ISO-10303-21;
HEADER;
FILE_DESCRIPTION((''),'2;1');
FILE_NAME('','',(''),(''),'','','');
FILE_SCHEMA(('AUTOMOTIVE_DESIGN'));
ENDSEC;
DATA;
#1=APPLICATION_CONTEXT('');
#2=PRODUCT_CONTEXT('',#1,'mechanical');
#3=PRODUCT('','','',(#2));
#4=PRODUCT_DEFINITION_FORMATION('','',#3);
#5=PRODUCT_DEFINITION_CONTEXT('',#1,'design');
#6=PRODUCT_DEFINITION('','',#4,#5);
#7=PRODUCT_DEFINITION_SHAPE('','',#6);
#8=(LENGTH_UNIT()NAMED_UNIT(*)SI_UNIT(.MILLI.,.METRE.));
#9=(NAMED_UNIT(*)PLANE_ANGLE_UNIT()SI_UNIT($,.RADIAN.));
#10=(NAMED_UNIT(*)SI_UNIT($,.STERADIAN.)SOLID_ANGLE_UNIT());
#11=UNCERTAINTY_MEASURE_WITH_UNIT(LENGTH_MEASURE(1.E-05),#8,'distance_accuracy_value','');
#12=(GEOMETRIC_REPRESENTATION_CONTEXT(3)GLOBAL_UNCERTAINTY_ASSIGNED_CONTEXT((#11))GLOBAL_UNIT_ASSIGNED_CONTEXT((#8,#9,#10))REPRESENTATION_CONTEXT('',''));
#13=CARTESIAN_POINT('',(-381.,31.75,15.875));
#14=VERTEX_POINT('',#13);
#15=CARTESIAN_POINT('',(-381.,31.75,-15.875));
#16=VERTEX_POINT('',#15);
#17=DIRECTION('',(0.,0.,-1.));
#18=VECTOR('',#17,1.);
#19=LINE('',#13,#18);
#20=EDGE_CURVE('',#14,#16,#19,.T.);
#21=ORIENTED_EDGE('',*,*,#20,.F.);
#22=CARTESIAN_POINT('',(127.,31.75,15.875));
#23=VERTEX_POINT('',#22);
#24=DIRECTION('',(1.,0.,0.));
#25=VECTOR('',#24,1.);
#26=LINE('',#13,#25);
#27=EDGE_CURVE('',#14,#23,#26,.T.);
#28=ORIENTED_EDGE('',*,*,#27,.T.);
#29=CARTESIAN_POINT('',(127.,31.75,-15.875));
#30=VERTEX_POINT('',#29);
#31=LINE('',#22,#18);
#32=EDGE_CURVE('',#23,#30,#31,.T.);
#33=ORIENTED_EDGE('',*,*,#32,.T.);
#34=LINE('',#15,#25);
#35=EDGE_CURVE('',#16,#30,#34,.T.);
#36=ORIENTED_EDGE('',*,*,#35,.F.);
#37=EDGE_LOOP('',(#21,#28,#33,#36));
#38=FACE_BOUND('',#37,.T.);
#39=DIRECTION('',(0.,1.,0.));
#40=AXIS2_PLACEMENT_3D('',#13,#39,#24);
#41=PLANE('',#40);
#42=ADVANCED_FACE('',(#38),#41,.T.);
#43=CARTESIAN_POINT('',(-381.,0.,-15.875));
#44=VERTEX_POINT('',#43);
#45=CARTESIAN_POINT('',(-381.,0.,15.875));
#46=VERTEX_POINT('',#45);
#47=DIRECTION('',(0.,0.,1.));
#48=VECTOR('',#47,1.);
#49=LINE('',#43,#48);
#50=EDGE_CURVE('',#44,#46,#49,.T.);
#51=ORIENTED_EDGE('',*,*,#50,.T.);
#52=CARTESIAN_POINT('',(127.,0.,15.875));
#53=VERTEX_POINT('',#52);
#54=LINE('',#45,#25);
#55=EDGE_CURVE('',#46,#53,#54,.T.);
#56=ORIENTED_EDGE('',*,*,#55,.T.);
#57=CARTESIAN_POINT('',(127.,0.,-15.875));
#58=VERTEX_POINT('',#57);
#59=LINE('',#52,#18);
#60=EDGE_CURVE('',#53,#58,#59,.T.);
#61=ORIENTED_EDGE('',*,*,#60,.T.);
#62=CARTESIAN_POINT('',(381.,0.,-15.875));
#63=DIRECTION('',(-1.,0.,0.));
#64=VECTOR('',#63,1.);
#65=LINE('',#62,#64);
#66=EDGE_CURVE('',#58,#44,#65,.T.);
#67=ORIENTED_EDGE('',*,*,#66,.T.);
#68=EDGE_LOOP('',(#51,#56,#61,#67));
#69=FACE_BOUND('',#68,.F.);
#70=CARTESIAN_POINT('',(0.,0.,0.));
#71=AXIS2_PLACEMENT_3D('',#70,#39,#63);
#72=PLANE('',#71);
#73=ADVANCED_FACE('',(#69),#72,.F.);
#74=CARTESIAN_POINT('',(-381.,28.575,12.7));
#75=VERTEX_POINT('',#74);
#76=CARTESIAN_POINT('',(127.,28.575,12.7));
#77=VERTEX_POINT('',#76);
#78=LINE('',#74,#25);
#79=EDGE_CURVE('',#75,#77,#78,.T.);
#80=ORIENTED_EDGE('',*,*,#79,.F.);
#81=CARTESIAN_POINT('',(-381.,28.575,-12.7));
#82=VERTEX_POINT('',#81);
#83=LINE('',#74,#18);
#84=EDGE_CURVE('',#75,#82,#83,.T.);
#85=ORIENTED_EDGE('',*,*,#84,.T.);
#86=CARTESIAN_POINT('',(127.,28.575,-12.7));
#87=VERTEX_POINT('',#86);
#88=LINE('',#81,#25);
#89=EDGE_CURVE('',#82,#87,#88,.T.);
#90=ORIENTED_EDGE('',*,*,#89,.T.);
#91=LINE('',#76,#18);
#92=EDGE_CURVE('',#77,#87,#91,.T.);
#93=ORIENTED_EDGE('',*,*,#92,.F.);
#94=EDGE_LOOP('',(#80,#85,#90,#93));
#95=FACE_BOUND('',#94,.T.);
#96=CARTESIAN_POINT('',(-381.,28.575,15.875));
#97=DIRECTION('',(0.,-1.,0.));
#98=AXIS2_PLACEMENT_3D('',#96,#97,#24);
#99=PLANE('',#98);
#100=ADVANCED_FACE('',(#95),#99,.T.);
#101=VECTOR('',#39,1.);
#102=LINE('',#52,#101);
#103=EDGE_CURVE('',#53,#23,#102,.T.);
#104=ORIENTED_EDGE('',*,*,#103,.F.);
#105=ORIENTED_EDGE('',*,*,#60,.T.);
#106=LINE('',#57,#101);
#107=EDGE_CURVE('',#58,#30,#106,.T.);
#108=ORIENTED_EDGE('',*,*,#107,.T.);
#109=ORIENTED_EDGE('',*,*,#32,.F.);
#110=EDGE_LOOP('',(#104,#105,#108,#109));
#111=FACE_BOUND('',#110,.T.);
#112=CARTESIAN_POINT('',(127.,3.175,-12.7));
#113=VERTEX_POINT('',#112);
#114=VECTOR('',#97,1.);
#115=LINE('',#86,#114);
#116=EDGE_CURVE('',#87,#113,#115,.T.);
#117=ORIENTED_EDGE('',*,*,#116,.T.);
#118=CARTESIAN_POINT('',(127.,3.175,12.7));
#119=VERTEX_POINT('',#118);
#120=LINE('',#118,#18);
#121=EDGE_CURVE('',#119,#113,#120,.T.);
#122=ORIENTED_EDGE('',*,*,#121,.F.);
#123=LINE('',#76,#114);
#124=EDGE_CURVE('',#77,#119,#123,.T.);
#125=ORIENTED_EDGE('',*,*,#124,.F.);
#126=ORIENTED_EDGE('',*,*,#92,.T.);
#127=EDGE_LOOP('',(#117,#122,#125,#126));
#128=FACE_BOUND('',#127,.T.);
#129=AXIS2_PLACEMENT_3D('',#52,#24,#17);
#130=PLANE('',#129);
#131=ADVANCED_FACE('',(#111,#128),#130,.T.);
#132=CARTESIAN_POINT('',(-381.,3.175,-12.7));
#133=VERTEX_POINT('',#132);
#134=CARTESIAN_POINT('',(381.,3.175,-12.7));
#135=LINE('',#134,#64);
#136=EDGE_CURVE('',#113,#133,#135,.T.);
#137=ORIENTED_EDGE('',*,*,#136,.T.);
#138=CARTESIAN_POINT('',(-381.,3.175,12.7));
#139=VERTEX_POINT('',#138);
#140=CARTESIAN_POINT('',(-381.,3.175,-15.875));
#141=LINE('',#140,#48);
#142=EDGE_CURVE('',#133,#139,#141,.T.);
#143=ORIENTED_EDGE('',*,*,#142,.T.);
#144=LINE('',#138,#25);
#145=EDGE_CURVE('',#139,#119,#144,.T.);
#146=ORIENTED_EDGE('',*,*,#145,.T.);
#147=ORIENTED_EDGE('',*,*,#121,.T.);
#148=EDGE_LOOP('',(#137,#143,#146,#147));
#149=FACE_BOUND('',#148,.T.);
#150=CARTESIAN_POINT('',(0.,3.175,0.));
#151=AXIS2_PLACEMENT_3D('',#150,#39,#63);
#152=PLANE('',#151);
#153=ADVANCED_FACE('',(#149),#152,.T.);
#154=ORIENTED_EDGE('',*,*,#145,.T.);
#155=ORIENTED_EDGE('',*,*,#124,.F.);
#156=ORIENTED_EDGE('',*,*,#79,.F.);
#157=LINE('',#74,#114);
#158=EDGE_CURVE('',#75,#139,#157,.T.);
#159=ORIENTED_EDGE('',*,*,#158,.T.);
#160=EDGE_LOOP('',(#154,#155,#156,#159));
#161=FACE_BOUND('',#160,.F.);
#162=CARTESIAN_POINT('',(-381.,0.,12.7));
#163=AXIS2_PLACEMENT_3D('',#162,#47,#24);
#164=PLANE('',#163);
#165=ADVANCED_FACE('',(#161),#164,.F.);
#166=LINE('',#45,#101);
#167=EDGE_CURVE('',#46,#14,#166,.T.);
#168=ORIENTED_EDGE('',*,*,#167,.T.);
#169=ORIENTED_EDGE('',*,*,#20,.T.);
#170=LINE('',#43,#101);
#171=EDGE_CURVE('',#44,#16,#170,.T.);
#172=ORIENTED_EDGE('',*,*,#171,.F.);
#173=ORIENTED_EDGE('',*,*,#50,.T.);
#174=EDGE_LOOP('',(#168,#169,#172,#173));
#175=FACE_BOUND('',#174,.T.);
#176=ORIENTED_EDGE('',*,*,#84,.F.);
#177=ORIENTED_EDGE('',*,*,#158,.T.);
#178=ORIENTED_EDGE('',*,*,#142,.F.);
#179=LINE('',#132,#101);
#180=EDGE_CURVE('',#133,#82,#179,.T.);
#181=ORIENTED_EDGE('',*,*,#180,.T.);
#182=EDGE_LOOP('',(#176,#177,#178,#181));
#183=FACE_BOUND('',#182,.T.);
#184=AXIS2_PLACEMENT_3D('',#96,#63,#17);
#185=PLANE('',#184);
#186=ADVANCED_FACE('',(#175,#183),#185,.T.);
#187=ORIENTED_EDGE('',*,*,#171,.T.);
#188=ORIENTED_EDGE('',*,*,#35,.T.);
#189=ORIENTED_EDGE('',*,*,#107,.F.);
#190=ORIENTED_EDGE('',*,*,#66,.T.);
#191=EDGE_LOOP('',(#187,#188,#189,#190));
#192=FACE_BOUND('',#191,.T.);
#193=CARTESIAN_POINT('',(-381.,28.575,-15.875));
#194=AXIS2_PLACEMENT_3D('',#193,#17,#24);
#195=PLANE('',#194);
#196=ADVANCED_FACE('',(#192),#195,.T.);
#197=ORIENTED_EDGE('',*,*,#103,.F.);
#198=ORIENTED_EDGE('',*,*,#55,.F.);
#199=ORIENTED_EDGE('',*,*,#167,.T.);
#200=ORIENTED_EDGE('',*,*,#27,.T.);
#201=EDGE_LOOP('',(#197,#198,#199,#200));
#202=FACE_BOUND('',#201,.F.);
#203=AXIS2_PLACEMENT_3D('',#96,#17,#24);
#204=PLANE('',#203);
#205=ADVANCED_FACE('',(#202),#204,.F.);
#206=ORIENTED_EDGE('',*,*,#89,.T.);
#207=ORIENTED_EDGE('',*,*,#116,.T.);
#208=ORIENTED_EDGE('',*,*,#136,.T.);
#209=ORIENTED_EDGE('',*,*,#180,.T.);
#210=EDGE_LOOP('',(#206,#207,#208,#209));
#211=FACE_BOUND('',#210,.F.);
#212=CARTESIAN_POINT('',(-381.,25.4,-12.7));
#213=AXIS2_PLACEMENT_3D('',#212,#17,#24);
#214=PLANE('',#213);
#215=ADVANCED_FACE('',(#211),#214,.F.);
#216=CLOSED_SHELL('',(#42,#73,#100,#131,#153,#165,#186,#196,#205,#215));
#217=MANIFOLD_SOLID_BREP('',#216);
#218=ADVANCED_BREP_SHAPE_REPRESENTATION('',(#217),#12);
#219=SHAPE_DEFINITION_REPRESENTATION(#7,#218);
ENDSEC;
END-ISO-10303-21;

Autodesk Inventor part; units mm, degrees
ref_plane "YZ Plane" through (0, 0, 0) normal (1, 0, 0) x (0, 1, 0)
ref_plane "XZ Plane" through (0, 0, 0) normal (0, 1, 0) x (-1, 0, 0)
ref_plane "XY Plane" through (0, 0, 0) normal (0, 0, 1) x (1, 0, 0)
sketch "Sketch1" plane through (0, 0, 0) normal (0, 1, 0) x (-1, 0, 0)
  line L0 (381, 15.875) -> (-381, 15.875)
  line L1 (-381, 15.875) -> (-381, -15.875)
  line L2 (-381, -15.875) -> (381, -15.875)
  line L3 (381, -15.875) -> (381, 15.875)
  point P0 (0, 0)
  dimension "d0" = 762
  dimension "d1" = 31.75
extrude "Extrusion1" add sketch "Sketch1" along normal blind 3.175
sketch "Sketch2" plane through (-381, 0, 15.875) normal (0, 0, 1) x (1, 0, 0)
  line L0 (0, 3.175) -> (762, 3.175) projected
  line L1 (762, 28.575) -> (0, 28.575)
  line L2 (0, 28.575) -> (0, 3.175)
  line L3 (0, 3.175) -> (762, 3.175)
  line L4 (762, 3.175) -> (762, 28.575)
  point P0 (381, 0)
extrude "Extrusion2" add sketch "Sketch2" against normal blind 3.175
sketch "Sketch3" plane through (-381, 28.575, 15.875) normal (0, 1, 0) x (1, 0, 0)
  line L0 (0, 3.175) -> (762, 3.175) projected
  line L1 (762, 28.575) -> (0, 28.575)
  line L2 (0, 28.575) -> (0, 3.175)
  line L3 (0, 3.175) -> (762, 3.175)
  line L4 (762, 3.175) -> (762, 28.575)
  point P0 (381, 15.875)
extrude "Extrusion3" add sketch "Sketch3" against normal blind 3.175
sketch "Sketch4" plane through (381, 28.575, -12.7) normal (0, 0, -1) x (-1, 0, 0)
  line L0 (762, 0) -> (0, 0) projected
  line L1 (0, -25.4) -> (762, -25.4) projected
  line L2 (0, -3.175) -> (0, -25.4) projected
  line L3 (762, -25.4) -> (762, -3.175) projected
  line L4 (762, 0) -> (0, 0)
  line L5 (0, 0) -> (0, -25.4)
  line L6 (0, -25.4) -> (762, -25.4)
  line L7 (762, -25.4) -> (762, 0)
  point P0 (381, -28.575)
extrude "Extrusion4" add sketch "Sketch4" along normal blind 3.175
sketch "Sketch5" plane through (-381, 28.575, 15.875) normal (0, 1, 0) x (1, 0, 0)
  line L0 (0, 31.75) -> (762, 31.75) projected
  line L1 (0, 0) -> (762, 0) projected
  line L2 (762, 0) -> (762, 31.75) projected
  line L3 (0, 31.75) -> (762, 31.75) projected
  line L4 (0, 0) -> (0, 31.75) projected
  line L5 (0, 31.75) -> (762, 31.75)
  line L6 (762, 31.75) -> (762, 0)
  line L7 (762, 0) -> (0, 0)
  line L8 (0, 0) -> (0, 31.75)
  point P0 (381, 15.875)
extrude "Extrusion5" add sketch "Sketch5" along normal blind 3.175
sketch "Sketch6" plane through (-381, 25.4, 15.875) normal (0, -1, 0) x (1, 0, 0)
  line L0 (0, -3.175) -> (0, -28.575) projected
  line L1 (0, -28.575) -> (762, -28.575) projected
  line L2 (762, -28.575) -> (762, -3.175) projected
  line L3 (0, -3.175) -> (762, -3.175) projected
  line L4 (762, -3.175) -> (0, -3.175)
  line L5 (0, -3.175) -> (0, -28.575)
  line L6 (0, -28.575) -> (762, -28.575)
  line L7 (762, -28.575) -> (762, -3.175)
  point P0 (381, -15.875)
extrude "Extrusion6" cut sketch "Sketch6" against normal blind 3.175
sketch "Sketch7" plane through (381, 0, 15.875) normal (1, 0, 0) x (0, 0, -1)
  line L0 (0, 31.75) -> (31.75, 31.75) projected
  line L1 (31.75, 0) -> (31.75, 31.75) projected
  line L2 (0, 31.75) -> (31.75, 31.75) projected
  line L3 (0, 0) -> (0, 31.75) projected
  line L4 (0, 0) -> (31.75, 0) projected
  line L5 (3.175, 28.575) -> (3.175, 3.175) projected
  line L6 (3.175, 28.575) -> (28.575, 28.575) projected
  line L7 (28.575, 28.575) -> (28.575, 3.175) projected
  line L8 (3.175, 3.175) -> (28.575, 3.175) projected
  line L9 (0, 0) -> (0, 31.75) projected
  line L10 (0, 31.75) -> (31.75, 31.75)
  line L11 (31.75, 31.75) -> (31.75, 0)
  line L12 (31.75, 0) -> (0, 0)
  line L13 (0, 0) -> (0, 31.75)
  line L14 (3.175, 28.575) -> (28.575, 28.575)
  line L15 (28.575, 28.575) -> (28.575, 3.175)
  line L16 (28.575, 3.175) -> (3.175, 3.175)
  line L17 (3.175, 3.175) -> (3.175, 28.575)
  point P0 (15.875, 0)
extrude "Extrusion7" cut sketch "Sketch7" against normal blind 254
properties part number "alignmentWheelsBarSolid"
